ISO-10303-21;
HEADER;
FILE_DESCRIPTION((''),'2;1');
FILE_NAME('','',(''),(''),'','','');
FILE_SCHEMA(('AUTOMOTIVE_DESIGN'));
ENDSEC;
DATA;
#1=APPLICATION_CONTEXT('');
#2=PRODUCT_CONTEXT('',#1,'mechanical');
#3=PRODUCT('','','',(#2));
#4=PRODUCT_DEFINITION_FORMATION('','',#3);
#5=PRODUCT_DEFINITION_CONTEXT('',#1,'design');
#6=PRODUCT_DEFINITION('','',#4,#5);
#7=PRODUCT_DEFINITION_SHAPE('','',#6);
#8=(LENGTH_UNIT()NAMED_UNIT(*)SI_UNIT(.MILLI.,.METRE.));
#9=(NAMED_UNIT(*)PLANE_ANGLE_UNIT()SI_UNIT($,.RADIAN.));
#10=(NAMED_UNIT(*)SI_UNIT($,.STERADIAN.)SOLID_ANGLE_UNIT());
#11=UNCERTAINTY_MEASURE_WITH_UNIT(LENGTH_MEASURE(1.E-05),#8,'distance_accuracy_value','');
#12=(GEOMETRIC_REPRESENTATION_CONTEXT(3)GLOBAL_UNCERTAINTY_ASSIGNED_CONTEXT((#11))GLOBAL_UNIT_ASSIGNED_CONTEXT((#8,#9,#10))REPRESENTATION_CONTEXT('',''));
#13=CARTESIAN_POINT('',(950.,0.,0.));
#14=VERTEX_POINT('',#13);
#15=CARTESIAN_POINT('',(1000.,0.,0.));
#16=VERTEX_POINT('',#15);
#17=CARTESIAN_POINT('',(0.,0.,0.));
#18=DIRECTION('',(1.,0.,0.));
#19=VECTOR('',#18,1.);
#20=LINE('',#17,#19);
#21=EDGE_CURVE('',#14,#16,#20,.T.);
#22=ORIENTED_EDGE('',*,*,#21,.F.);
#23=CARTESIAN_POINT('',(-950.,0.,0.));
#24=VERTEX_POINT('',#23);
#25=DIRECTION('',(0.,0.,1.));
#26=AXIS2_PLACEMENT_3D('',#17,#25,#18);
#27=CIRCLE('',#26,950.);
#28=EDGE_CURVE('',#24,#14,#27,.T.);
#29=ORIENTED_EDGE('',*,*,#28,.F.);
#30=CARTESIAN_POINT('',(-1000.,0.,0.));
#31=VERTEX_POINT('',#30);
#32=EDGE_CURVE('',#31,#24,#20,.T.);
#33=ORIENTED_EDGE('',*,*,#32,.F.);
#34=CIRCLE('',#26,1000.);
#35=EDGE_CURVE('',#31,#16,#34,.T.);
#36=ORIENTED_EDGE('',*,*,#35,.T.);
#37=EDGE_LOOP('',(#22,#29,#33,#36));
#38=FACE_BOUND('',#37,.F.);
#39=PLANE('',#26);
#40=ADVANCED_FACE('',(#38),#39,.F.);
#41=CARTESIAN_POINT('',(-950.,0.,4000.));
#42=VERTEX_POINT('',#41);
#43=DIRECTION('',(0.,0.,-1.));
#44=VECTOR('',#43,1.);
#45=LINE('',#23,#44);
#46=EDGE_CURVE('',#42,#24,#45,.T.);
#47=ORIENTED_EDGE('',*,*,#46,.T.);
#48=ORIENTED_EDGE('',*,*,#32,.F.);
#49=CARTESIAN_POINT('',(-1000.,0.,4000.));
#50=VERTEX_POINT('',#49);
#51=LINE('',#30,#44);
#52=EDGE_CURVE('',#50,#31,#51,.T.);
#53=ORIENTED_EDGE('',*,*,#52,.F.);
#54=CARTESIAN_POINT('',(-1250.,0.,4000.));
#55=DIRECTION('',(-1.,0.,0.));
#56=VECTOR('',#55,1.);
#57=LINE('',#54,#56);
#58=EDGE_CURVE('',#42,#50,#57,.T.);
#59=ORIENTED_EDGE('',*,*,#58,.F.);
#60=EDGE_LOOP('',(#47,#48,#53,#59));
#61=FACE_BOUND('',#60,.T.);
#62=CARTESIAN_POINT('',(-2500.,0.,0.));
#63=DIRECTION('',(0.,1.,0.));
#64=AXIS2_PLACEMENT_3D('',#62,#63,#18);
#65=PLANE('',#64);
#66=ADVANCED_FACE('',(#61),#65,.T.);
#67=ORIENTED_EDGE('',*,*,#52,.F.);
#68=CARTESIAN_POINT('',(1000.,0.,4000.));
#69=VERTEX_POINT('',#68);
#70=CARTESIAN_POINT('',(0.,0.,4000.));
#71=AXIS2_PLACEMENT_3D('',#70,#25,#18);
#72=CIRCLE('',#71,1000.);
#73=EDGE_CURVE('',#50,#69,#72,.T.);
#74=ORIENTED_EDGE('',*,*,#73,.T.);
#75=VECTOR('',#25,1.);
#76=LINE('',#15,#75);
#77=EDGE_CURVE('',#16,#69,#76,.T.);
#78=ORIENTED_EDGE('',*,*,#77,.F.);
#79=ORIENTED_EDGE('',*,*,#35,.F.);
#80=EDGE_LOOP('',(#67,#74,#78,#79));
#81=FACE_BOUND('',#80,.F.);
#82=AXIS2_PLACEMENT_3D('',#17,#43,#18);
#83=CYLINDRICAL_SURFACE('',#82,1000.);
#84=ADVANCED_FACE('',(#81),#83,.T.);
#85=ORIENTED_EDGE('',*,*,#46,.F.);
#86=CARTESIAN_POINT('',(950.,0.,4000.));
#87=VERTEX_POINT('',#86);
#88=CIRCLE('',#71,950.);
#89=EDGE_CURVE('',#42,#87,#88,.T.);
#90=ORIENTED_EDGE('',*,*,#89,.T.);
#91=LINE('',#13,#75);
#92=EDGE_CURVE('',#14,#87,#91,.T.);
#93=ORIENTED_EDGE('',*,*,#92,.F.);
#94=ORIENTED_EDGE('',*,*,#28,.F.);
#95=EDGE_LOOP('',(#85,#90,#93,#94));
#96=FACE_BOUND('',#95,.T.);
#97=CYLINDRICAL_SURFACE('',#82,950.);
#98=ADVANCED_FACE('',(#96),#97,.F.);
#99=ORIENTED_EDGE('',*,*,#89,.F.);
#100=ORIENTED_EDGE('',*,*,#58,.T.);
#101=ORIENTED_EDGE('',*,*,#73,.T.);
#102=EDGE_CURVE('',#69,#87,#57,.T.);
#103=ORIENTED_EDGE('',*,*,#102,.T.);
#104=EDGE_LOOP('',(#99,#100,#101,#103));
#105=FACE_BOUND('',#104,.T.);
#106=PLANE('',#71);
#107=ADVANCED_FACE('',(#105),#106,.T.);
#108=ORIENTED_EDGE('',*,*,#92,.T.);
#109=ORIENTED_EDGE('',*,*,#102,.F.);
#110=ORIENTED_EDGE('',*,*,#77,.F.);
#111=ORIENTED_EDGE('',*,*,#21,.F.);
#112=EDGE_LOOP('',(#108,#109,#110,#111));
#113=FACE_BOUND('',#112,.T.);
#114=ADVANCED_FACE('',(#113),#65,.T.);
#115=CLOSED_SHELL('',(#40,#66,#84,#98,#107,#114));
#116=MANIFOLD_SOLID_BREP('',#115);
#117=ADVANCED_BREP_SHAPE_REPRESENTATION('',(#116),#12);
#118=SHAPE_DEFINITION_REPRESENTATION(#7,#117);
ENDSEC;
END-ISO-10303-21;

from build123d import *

# Parameters (mm, degrees)
SKETCH001_W  = 5000
SKETCH001_H  = 2000
PAD001_DEPTH = 20000
SKETCH_R     = 1000
SKETCH_R_2   = 950
PAD_DEPTH    = 4000


with BuildPart() as pad001:
    # Sketch001 → Pad001 (new body)
    with BuildSketch(Plane.XY):
        with Locations((0, 1000)):
            Rectangle(SKETCH001_W, SKETCH001_H)
    extrude(amount=PAD001_DEPTH)


with BuildPart() as cut:
    # Sketch → Pad (new body)
    with BuildSketch(Plane.XY):
        Circle(SKETCH_R)
        Circle(SKETCH_R_2, mode=Mode.SUBTRACT)
    extrude(amount=PAD_DEPTH)

    # Cut: cut Pad001
    add(pad001.part, mode=Mode.SUBTRACT)


solid = cut.part
